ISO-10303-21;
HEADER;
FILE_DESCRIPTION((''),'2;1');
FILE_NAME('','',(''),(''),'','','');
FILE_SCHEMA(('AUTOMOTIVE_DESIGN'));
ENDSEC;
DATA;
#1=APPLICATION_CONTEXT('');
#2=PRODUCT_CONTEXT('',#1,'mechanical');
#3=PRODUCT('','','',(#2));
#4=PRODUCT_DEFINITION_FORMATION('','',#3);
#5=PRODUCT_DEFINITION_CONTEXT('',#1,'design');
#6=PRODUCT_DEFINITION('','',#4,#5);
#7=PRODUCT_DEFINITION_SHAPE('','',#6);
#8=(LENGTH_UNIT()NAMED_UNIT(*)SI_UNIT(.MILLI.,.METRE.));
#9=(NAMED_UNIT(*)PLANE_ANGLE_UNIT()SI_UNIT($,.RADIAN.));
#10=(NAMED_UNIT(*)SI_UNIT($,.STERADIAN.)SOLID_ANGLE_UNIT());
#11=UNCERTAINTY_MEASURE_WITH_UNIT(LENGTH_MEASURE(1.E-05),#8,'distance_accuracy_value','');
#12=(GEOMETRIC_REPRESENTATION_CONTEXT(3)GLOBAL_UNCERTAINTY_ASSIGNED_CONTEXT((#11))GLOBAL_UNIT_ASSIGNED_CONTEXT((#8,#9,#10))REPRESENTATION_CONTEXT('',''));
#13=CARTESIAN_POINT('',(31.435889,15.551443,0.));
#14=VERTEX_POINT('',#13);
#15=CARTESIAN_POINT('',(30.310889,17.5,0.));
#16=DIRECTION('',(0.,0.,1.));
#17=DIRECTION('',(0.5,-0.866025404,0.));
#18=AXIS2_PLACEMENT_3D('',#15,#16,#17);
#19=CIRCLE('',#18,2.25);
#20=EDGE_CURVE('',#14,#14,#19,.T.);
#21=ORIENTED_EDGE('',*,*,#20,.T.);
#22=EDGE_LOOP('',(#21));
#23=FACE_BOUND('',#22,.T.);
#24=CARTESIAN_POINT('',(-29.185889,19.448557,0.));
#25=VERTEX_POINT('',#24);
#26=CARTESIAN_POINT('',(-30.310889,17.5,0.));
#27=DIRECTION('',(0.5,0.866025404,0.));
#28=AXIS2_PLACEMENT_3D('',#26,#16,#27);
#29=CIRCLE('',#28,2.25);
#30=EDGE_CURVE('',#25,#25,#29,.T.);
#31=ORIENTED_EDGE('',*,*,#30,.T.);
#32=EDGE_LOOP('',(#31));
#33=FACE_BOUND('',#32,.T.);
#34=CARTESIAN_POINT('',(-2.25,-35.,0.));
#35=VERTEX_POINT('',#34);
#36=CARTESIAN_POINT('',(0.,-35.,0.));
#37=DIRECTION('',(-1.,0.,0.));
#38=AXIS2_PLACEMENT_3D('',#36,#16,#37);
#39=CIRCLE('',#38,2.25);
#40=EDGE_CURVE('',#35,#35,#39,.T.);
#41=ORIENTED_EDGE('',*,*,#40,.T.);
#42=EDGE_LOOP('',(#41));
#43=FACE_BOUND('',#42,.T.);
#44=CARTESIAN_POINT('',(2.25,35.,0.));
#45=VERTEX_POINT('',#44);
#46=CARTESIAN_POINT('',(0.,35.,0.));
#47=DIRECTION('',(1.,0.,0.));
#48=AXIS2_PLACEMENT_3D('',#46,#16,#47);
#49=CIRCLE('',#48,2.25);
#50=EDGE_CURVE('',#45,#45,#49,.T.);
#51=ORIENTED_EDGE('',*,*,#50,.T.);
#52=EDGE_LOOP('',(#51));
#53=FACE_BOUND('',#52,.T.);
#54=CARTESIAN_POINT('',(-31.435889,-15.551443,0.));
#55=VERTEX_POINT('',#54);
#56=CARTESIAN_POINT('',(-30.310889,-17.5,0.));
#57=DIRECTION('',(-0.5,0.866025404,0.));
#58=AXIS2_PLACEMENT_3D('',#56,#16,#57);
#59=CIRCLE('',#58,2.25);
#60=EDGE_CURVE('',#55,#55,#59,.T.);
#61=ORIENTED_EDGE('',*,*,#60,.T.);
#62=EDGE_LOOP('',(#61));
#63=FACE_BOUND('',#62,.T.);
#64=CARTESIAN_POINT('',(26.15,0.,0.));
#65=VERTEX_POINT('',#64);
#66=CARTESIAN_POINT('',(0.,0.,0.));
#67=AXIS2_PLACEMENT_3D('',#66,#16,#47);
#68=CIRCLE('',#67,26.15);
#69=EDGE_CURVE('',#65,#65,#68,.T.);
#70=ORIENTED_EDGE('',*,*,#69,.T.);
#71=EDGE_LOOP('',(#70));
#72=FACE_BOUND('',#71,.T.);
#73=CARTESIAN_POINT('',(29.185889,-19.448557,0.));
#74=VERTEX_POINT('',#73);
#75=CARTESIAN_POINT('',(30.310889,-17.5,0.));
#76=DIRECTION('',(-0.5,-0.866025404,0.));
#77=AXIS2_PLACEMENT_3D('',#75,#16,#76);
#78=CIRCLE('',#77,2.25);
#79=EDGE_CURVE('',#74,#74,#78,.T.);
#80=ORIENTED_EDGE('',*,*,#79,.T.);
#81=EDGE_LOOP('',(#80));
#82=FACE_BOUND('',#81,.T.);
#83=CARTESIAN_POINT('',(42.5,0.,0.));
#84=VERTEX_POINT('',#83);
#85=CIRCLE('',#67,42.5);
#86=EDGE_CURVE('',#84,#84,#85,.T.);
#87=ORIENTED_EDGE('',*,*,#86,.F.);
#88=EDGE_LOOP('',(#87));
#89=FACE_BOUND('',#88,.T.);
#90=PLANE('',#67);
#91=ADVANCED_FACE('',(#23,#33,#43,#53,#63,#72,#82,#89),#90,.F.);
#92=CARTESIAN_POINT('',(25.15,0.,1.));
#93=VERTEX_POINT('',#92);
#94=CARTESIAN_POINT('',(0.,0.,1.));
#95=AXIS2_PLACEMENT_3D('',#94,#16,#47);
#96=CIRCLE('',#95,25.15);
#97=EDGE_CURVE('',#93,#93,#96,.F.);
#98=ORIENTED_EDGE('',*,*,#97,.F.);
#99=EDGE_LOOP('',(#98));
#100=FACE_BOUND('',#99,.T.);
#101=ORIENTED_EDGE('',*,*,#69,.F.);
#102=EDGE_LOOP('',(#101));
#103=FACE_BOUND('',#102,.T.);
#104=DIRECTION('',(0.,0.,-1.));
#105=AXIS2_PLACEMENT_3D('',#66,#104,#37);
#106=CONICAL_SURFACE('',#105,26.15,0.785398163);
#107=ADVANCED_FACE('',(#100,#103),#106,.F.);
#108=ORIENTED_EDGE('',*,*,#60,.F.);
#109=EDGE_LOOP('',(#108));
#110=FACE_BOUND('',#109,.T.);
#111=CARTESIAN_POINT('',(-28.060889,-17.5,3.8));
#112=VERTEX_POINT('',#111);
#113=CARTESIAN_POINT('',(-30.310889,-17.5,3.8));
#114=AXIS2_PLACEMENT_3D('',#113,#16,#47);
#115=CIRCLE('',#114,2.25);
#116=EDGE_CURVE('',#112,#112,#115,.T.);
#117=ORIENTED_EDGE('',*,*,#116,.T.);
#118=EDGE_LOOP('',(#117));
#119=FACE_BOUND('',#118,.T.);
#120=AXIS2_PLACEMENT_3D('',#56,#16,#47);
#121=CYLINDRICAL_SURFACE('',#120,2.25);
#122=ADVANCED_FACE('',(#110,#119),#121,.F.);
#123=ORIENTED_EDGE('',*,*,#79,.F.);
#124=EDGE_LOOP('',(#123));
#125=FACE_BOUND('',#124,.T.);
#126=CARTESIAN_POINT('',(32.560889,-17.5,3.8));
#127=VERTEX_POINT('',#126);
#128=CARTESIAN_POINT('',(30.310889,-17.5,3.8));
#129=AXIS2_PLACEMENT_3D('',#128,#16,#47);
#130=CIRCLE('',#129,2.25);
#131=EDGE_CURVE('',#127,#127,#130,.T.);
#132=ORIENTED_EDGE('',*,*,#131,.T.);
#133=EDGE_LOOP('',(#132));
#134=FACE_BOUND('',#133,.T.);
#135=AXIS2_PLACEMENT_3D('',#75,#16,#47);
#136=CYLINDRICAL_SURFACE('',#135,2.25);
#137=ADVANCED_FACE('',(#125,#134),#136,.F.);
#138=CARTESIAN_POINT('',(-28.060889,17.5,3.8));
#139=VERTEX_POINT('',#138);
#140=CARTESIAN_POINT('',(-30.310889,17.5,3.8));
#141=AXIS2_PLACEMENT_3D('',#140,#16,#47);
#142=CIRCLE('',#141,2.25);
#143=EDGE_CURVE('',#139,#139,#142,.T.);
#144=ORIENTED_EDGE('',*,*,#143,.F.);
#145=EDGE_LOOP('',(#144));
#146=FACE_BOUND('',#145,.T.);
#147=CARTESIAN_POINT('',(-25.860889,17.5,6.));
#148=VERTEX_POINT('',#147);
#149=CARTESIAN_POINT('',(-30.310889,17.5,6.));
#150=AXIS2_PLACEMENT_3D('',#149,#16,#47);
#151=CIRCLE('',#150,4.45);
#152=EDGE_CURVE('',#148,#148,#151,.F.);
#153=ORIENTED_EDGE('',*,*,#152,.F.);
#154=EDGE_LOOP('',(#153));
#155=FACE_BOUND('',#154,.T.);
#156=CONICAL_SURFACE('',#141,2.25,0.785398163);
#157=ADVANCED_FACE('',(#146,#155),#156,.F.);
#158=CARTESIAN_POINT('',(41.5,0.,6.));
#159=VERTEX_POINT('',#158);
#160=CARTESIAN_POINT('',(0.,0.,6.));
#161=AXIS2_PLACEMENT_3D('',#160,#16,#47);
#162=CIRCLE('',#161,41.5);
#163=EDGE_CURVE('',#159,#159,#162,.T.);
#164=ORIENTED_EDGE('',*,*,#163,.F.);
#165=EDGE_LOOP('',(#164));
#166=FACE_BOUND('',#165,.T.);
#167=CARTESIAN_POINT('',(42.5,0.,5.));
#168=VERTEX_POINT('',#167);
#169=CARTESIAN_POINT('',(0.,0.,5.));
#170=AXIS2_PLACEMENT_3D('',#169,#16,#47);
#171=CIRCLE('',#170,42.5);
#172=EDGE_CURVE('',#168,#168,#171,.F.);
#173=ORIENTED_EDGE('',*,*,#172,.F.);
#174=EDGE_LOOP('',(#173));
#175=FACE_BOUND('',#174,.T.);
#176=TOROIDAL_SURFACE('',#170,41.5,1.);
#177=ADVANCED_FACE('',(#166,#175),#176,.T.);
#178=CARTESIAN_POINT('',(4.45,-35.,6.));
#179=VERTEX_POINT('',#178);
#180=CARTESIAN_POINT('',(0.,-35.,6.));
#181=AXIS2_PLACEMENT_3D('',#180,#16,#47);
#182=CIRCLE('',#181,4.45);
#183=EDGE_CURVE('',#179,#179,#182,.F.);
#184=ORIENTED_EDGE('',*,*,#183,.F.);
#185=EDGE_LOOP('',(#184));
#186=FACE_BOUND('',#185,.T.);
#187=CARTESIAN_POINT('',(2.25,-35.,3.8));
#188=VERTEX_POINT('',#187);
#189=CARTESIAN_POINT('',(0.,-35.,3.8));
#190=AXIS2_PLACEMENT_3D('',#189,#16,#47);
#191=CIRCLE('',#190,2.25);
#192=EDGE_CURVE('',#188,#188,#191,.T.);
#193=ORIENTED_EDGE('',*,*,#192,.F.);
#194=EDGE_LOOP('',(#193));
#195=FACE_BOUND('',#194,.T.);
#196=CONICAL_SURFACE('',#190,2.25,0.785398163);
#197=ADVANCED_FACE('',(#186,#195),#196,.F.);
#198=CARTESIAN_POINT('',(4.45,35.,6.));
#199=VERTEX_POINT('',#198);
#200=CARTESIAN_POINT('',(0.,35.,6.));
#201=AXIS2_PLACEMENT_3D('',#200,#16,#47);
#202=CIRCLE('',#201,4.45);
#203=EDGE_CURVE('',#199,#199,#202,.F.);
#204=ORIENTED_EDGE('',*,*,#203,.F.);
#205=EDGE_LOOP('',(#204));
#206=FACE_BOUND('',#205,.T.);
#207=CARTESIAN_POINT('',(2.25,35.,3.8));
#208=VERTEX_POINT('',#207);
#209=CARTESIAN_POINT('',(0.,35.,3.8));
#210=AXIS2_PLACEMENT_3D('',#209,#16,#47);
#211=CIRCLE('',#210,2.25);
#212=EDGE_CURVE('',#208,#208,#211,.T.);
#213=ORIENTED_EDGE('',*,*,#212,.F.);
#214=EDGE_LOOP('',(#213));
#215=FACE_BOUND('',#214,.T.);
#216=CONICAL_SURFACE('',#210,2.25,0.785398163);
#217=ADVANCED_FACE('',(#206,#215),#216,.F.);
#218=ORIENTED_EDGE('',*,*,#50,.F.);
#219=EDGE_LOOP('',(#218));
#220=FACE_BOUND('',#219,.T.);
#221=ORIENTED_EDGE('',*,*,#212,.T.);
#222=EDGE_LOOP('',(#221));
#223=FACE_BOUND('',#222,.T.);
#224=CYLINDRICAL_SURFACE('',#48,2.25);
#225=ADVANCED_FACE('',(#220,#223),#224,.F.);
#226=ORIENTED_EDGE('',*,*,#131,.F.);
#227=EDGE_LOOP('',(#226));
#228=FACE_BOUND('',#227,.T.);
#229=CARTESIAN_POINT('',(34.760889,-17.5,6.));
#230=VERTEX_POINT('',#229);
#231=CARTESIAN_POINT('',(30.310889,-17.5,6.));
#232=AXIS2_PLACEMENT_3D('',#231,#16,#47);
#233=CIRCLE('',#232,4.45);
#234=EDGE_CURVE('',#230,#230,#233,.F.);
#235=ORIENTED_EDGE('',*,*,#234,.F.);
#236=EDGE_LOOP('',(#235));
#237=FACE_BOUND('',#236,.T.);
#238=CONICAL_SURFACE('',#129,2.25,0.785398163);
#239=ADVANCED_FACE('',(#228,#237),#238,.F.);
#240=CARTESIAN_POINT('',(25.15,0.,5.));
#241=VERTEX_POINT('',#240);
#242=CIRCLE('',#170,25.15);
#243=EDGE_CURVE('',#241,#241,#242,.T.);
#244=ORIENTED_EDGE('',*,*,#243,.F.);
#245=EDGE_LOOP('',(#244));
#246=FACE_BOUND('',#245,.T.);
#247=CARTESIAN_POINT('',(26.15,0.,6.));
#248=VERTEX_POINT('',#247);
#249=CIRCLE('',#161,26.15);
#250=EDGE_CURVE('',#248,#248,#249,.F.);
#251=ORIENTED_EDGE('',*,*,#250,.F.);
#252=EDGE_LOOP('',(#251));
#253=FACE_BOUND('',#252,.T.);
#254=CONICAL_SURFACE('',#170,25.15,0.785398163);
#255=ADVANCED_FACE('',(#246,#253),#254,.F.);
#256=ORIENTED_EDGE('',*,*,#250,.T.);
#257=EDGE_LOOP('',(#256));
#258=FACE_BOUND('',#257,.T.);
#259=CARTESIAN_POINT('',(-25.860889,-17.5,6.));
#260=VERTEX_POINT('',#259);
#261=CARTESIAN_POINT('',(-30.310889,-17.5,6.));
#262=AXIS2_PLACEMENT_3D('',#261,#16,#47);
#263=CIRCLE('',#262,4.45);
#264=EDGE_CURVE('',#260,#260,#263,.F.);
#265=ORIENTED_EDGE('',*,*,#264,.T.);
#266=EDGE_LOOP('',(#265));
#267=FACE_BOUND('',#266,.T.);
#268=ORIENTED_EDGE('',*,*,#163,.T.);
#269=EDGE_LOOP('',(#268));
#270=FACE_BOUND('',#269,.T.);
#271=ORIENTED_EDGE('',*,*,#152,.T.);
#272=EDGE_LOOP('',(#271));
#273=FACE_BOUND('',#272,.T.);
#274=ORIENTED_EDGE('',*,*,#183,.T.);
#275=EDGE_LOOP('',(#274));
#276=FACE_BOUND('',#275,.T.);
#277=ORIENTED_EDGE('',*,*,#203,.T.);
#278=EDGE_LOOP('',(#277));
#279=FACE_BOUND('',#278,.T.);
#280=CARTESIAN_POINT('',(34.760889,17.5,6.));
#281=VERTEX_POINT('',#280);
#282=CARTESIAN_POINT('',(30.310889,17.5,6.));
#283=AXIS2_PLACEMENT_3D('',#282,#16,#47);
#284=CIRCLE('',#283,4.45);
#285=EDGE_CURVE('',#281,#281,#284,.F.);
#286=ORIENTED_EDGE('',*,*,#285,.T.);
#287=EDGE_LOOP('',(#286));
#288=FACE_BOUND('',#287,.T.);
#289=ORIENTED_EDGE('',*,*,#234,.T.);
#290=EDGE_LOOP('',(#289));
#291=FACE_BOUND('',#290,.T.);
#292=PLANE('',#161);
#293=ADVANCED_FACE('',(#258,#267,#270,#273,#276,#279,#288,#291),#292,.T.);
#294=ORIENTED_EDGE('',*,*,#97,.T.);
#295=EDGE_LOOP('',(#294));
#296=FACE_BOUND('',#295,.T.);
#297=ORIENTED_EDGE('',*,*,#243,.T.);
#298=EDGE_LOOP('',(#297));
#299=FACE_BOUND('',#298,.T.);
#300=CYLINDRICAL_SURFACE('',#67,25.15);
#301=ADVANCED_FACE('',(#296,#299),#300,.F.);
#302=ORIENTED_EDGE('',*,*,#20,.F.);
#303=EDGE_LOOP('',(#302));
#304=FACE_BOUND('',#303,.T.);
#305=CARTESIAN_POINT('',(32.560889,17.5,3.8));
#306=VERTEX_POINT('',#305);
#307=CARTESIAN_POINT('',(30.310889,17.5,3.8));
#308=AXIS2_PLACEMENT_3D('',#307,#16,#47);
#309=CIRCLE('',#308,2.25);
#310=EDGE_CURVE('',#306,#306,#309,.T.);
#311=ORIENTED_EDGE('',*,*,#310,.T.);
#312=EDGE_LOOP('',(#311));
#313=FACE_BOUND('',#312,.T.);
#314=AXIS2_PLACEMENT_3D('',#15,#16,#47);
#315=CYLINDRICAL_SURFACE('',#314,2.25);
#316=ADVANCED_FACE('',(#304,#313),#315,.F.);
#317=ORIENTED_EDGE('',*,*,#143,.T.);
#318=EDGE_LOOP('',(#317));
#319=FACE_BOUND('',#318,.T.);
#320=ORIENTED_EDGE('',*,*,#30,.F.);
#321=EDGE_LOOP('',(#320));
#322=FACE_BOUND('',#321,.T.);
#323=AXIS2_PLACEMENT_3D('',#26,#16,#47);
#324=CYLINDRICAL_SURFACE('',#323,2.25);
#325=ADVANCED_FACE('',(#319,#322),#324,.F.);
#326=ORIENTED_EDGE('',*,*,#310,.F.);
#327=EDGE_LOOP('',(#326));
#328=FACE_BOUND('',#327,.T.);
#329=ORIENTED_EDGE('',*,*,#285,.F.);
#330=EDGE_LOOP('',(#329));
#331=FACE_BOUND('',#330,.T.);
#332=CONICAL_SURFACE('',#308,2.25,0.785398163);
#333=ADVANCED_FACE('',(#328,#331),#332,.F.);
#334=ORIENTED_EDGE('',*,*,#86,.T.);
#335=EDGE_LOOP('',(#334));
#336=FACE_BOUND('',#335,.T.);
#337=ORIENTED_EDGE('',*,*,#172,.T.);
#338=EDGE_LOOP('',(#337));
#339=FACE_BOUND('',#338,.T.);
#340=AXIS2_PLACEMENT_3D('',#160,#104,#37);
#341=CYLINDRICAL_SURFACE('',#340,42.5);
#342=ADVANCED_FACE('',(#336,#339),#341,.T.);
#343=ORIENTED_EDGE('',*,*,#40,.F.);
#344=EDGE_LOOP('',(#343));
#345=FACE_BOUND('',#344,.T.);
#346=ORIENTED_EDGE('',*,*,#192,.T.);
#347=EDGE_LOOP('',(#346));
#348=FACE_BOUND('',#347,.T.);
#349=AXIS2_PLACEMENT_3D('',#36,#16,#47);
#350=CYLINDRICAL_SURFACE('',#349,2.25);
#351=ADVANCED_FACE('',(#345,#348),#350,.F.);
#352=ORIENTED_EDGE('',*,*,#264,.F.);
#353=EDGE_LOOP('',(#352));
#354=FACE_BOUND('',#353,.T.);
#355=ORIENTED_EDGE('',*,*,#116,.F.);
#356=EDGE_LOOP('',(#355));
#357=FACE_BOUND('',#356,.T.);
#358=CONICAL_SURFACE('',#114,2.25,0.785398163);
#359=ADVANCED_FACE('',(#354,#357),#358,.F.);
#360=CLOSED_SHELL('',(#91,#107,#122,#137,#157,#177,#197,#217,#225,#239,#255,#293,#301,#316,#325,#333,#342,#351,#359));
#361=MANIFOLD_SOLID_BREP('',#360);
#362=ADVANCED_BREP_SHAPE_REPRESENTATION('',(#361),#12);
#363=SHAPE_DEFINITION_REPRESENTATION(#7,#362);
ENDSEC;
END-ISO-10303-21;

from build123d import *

# Parameters (mm, degrees)
SKETCH1_R                    = 42.5
BOSS_EXTRUDE1_DEPTH          = 6
SKETCH2_R                    = 25.15
CUT_EXTRUDE1_DEPTH           = 61.402814504
SKETCH3_R                    = 2.25
CUT_EXTRUDE2_DEPTH           = 61.402814504
CHAMFER2_SIZE                = 2.2
CIRPATTERN1_COUNT            = 6
CHAMFER2_OF_CIRPATTERN1_SIZE = 2.2
CHAMFER1_SIZE                = 1
FILLET1_R                    = 1


with BuildPart() as part:
    # Sketch1 → Boss-Extrude1 (new body)
    with BuildSketch(Plane.XY):
        Circle(SKETCH1_R)
    extrude(amount=BOSS_EXTRUDE1_DEPTH)

    # Sketch2 → Cut-Extrude1 (cut, through all)
    with BuildSketch(Plane.XY.offset(6)):
        Circle(SKETCH2_R)
    extrude(amount=-CUT_EXTRUDE1_DEPTH, mode=Mode.SUBTRACT)

    # Sketch3 → Cut-Extrude2 (cut, through all)
    with BuildSketch(Plane.XY.offset(6)):
        with Locations((0, 35)):
            Circle(SKETCH3_R)
    cut_extrude2 = extrude(amount=-CUT_EXTRUDE2_DEPTH, mode=Mode.SUBTRACT)

    # Chamfer2
    chamfer2_edges = [part.edges().sort_by_distance(p)[0] for p in [
        (-2.25, 35, 6),
    ]]
    chamfer(chamfer2_edges, length=CHAMFER2_SIZE)

    # CirPattern1: Cut-Extrude2 ×6 about axis
    cirpattern1_axis = Axis((0, 0, 0), (0, 0, 1))
    for i in range(1, CIRPATTERN1_COUNT):
        add(cut_extrude2.rotate(cirpattern1_axis, i * 360 / CIRPATTERN1_COUNT), mode=Mode.SUBTRACT)

    # Chamfer2 of CirPattern1
    chamfer2_of_cirpattern1_edges = [part.edges().sort_by_distance(p)[0] for p in [
        (-31.435889132, 15.551442841, 6),
        (-29.185889132, -19.448557159, 6),
        (2.25, -35, 6),
        (31.435889132, -15.551442841, 6),
        (29.185889132, 19.448557159, 6),
    ]]
    chamfer(chamfer2_of_cirpattern1_edges, length=CHAMFER2_OF_CIRPATTERN1_SIZE)

    # Chamfer1
    chamfer1_edges = [part.edges().sort_by_distance(p)[0] for p in [
        (-25.15, 0, 0),
        (-25.15, 0, 6),
    ]]
    chamfer(chamfer1_edges, length=CHAMFER1_SIZE)

    # Fillet1
    fillet1_edges = [part.edges().sort_by_distance(p)[0] for p in [
        (-42.5, 0, 6),
    ]]
    fillet(fillet1_edges, radius=FILLET1_R)


solid = part.part
